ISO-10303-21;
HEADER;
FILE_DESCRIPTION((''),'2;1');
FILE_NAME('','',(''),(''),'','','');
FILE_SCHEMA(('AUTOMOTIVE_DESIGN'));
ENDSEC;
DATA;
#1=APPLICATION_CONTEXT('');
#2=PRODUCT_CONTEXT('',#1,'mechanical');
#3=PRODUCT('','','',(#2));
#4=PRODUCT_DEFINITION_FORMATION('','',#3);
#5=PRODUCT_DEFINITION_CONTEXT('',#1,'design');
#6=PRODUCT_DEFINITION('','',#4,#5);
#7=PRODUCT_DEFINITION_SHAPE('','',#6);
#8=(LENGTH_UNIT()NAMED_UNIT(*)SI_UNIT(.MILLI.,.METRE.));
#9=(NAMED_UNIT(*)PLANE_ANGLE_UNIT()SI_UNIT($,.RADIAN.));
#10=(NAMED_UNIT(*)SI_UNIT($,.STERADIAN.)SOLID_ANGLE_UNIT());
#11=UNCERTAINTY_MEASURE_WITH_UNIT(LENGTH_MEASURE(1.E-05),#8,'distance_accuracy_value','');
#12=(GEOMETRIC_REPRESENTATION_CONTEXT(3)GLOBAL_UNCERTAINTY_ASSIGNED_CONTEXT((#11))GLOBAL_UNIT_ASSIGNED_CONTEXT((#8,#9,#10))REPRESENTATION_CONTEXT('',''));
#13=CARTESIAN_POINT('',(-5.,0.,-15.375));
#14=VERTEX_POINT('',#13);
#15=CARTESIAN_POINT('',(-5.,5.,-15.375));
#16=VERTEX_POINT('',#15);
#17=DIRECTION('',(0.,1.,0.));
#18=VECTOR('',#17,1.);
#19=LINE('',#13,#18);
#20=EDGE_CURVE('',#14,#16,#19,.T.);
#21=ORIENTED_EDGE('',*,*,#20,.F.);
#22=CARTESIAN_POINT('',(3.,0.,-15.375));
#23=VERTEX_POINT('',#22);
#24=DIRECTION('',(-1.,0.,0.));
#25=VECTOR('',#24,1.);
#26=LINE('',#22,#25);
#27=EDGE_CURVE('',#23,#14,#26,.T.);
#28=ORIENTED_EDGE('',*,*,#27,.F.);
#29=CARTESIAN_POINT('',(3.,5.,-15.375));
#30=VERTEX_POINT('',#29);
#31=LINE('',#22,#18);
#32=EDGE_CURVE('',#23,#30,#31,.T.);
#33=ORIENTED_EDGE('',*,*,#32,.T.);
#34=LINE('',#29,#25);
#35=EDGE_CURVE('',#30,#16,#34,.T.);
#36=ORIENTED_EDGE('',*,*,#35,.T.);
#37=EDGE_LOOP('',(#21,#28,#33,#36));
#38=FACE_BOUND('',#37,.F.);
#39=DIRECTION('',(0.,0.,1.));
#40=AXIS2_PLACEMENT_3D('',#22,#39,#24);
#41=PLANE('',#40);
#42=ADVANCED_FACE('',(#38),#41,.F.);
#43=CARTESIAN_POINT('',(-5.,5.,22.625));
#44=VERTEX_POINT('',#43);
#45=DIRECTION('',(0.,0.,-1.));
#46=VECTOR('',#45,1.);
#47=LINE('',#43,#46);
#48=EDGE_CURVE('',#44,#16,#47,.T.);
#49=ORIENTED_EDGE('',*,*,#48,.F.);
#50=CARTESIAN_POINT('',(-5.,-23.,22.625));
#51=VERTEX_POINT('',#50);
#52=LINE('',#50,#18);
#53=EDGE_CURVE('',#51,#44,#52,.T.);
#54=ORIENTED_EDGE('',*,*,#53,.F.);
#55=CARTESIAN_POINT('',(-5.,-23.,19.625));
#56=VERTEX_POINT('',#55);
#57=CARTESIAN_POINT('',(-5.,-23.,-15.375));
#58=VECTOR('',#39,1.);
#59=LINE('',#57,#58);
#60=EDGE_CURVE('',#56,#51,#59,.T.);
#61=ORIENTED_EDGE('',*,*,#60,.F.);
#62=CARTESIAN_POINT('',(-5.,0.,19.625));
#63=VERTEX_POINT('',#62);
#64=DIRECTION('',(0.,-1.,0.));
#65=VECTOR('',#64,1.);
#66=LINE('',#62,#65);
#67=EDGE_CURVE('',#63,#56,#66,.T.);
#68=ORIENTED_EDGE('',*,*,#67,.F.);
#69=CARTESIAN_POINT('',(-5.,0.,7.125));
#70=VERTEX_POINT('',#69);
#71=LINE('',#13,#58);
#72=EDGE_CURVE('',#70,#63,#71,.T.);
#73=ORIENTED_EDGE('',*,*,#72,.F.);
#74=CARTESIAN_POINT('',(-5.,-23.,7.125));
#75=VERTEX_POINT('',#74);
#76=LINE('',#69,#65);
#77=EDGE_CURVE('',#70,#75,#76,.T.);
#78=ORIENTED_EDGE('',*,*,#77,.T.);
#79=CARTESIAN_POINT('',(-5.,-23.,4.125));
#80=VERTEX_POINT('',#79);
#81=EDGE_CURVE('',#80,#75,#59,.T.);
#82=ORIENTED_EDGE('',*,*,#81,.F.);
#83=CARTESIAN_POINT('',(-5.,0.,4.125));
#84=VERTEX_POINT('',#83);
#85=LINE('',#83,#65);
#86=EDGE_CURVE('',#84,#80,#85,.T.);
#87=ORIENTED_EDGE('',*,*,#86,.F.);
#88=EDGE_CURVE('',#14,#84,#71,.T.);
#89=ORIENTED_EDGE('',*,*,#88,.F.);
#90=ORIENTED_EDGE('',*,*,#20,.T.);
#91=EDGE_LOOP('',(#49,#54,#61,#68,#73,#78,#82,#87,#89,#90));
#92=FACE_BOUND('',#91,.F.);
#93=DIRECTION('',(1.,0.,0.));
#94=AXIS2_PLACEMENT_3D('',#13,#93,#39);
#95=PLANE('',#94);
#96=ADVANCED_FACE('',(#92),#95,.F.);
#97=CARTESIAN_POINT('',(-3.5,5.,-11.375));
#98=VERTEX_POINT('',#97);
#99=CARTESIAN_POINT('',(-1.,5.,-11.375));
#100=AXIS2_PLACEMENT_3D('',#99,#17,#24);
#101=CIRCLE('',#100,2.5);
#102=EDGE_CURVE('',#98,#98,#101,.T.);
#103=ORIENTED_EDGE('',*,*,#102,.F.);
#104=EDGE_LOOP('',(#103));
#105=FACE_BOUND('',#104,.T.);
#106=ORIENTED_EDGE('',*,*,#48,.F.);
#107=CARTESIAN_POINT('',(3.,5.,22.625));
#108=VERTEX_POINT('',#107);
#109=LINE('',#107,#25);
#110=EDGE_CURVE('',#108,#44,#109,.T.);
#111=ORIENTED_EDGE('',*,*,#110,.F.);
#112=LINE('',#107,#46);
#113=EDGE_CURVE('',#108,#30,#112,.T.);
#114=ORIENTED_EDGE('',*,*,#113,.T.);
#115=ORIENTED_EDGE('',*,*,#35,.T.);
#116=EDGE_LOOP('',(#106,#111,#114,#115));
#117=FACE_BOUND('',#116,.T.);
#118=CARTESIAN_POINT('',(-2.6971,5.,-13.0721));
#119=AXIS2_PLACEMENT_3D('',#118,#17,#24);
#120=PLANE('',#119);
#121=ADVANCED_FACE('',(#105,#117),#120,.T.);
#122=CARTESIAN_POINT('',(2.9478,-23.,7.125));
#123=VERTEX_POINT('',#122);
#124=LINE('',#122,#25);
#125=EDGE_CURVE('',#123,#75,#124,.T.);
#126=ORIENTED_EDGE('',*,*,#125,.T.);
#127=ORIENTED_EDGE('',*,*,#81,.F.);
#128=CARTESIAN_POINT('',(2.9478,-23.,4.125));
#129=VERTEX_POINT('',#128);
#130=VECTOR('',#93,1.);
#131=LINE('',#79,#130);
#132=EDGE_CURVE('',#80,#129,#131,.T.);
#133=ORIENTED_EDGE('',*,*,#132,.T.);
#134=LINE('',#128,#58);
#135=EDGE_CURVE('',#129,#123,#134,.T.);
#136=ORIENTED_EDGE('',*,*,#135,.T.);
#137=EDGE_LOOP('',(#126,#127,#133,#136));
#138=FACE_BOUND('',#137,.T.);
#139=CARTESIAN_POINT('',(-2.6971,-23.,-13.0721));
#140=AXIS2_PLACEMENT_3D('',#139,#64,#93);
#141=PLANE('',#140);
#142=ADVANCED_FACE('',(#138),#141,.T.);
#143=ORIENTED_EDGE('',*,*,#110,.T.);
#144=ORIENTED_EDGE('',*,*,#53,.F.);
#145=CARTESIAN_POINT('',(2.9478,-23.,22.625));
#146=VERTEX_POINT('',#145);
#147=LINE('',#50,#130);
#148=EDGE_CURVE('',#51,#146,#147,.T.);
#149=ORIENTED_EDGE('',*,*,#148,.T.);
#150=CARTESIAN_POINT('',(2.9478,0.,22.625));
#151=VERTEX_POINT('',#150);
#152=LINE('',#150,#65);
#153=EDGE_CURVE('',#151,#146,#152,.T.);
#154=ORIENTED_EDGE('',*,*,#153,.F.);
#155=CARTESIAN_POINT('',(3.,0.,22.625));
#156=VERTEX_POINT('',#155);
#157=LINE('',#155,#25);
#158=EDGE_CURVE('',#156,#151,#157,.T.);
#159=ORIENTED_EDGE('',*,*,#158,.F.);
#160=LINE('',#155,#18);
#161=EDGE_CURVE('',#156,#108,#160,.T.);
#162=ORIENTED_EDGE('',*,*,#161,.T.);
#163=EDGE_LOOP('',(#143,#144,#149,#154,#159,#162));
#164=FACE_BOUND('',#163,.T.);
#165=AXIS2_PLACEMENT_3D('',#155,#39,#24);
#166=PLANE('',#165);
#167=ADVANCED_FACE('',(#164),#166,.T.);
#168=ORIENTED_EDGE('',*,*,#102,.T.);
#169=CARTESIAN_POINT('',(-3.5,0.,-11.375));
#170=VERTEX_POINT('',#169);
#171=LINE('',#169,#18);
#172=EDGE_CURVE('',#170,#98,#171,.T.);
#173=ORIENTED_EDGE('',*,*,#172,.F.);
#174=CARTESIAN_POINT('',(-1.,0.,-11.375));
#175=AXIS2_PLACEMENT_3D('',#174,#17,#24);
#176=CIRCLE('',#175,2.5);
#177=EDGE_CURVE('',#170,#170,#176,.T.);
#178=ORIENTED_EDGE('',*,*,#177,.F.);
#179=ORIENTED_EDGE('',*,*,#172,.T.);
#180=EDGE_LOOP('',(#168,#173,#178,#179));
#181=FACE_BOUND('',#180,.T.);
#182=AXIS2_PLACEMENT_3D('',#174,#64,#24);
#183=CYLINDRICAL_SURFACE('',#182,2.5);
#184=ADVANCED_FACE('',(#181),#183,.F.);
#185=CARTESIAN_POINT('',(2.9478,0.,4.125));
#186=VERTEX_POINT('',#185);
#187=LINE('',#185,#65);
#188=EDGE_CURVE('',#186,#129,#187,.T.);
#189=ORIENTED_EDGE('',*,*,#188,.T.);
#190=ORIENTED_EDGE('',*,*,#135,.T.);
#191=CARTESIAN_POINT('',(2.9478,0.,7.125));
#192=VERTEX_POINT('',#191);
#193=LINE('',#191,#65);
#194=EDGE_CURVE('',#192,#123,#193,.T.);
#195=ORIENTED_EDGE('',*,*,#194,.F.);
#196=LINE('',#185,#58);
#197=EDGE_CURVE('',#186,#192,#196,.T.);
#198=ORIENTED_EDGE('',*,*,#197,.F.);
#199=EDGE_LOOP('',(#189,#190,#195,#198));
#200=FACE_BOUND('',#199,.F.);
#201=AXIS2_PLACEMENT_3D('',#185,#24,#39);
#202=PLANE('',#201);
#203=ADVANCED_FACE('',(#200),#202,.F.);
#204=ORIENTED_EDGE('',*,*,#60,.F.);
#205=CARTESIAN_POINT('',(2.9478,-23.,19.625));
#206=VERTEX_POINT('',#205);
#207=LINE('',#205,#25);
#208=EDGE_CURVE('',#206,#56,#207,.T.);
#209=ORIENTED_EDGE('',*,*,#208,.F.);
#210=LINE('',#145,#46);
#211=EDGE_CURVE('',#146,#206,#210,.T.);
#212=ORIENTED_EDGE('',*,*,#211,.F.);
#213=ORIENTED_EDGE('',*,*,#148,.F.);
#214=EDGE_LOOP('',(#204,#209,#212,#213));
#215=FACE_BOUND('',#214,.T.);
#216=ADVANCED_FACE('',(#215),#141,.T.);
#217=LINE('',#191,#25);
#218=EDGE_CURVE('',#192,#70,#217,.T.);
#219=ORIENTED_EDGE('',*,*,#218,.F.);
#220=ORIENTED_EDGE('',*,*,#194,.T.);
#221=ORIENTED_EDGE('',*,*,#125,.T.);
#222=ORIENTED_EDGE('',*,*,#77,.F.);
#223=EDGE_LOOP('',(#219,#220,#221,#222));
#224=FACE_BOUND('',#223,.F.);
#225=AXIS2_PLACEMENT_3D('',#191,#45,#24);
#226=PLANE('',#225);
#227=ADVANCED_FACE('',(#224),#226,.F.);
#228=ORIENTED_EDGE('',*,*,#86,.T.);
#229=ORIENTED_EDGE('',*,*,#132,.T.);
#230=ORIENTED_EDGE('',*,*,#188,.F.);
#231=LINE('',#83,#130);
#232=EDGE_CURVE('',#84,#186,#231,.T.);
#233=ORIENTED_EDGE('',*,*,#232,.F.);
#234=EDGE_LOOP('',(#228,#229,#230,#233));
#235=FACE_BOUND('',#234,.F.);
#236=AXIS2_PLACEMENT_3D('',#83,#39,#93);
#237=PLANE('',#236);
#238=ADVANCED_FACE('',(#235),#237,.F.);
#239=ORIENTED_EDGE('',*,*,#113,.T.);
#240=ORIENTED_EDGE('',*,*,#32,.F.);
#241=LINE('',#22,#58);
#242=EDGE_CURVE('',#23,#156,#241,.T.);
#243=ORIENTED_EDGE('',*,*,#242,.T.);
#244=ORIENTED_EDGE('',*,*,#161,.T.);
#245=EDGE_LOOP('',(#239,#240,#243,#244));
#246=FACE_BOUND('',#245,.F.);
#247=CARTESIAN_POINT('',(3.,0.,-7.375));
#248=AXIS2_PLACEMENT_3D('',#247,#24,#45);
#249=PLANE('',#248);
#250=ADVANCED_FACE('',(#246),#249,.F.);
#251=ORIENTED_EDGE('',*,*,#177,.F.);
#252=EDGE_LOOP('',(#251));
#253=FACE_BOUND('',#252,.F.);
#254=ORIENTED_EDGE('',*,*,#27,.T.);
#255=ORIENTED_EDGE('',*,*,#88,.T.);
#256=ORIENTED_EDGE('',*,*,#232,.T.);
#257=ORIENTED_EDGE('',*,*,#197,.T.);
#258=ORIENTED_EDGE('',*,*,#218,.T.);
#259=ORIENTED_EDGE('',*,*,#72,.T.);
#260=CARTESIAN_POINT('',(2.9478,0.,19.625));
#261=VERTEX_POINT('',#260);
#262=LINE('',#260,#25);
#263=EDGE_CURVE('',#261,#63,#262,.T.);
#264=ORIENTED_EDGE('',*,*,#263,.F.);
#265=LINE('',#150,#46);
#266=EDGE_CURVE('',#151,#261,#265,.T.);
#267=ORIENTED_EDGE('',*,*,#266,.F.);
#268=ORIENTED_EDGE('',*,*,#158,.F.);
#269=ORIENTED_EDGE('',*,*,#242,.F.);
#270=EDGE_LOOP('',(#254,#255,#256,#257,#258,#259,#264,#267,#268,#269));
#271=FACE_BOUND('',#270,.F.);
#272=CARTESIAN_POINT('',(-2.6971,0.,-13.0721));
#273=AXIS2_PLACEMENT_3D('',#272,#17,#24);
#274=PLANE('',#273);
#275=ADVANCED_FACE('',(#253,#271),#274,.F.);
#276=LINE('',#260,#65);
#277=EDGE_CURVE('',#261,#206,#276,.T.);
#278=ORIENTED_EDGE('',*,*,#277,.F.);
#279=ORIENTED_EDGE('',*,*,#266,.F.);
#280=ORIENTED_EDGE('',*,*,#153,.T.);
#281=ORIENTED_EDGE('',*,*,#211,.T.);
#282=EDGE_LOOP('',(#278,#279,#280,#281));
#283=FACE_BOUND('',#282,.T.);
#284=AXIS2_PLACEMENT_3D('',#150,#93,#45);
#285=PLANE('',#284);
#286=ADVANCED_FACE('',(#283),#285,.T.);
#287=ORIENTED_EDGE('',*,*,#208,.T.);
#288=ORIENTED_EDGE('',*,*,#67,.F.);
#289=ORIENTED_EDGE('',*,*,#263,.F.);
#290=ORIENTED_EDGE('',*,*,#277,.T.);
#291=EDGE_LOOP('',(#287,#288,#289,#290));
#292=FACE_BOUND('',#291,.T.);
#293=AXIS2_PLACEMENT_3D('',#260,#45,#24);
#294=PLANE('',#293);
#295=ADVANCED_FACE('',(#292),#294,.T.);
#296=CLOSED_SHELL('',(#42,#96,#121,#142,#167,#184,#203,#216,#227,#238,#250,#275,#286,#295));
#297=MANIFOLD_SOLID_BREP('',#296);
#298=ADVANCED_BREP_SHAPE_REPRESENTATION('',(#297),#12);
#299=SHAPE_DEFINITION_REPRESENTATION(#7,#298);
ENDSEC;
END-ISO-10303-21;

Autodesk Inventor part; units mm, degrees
ref_plane "YZ Plane" through (0, 0, 0) normal (1, 0, 0) x (0, 1, 0)
ref_plane "XZ Plane" through (0, 0, 0) normal (0, 1, 0) x (-1, 0, 0)
ref_plane "XY Plane" through (0, 0, 0) normal (0, 0, 1) x (1, 0, 0)
sketch "Sketch1" plane through (0, 0, 0) normal (0, 1, 0) x (-1, 0, 0)
  point P0 (0, 0)
sketch "Sketch2" plane through (-2.6971, 0, -13.0721) normal (0, 1, 0) x (-1, 0, 0)
  circle A0 centre (-1.6971, 1.6971) radius 2.5
  line L0 (2.3029, 5.6971) -> (-5.6971, 5.6971)
  line L1 (-5.6971, 5.6971) -> (-5.6971, -2.3029)
  line L2 (-5.6971, -2.3029) -> (2.3029, -2.3029)
  line L3 (2.3029, -2.3029) -> (2.3029, 5.6971)
  line L4 (2.3029, 5.6971) -> (-5.6971, -2.3029) construction
  line L5 (-5.6971, 5.6971) -> (2.3029, -2.3029) construction
  line L6 (2.3029, 5.6971) -> (-5.6971, 5.6971)
  line L7 (-5.6971, 5.6971) -> (-5.6971, 35.6971)
  line L8 (-5.6971, 35.6971) -> (2.3029, 35.6971)
  line L9 (2.3029, 35.6971) -> (2.3029, 5.6971)
  point P0 (-7.6971, -4.5529)
  dimension "d3" = 5
  dimension "d1" = 8
  dimension "d2" = 8
  dimension "d0" = 30
extrude "Extrusion1" add sketch "Sketch2" along normal blind 5
sketch "Sketch3" plane through (-2.6971, 0, -13.0721) normal (0, -1, 0) x (1, 0, 0)
  line L0 (-2.3029, -2.3029) -> (-2.3029, 35.6971) projected
  line L1 (5.6449, 20.1971) -> (-2.3029, 20.1971)
  line L2 (-2.3029, 20.1971) -> (-2.3029, 17.1971)
  line L3 (-2.3029, 17.1971) -> (5.6449, 17.1971)
  line L4 (5.6449, 17.1971) -> (5.6449, 20.1971)
  line L5 (5.6449, 32.6971) -> (-2.3029, 32.6971)
  line L6 (-2.3029, 32.6971) -> (-2.3029, 35.6971)
  line L7 (-2.3029, 35.6971) -> (5.6449, 35.6971)
  line L8 (5.6449, 35.6971) -> (5.6449, 32.6971)
  point P0 (2.6971, 13.0721)
  dimension "d7" = 3
  dimension "d11" = 12.5
  dimension "d12" = 3
extrude "Extrusion2" add sketch "Sketch3" along normal blind 23
sketch "Sketch4" plane through (-5, 0, -15.375) normal (-1, 0, 0) x (0, 0, 1)
  point P0 (15.375, 0)
properties part number "A1"
